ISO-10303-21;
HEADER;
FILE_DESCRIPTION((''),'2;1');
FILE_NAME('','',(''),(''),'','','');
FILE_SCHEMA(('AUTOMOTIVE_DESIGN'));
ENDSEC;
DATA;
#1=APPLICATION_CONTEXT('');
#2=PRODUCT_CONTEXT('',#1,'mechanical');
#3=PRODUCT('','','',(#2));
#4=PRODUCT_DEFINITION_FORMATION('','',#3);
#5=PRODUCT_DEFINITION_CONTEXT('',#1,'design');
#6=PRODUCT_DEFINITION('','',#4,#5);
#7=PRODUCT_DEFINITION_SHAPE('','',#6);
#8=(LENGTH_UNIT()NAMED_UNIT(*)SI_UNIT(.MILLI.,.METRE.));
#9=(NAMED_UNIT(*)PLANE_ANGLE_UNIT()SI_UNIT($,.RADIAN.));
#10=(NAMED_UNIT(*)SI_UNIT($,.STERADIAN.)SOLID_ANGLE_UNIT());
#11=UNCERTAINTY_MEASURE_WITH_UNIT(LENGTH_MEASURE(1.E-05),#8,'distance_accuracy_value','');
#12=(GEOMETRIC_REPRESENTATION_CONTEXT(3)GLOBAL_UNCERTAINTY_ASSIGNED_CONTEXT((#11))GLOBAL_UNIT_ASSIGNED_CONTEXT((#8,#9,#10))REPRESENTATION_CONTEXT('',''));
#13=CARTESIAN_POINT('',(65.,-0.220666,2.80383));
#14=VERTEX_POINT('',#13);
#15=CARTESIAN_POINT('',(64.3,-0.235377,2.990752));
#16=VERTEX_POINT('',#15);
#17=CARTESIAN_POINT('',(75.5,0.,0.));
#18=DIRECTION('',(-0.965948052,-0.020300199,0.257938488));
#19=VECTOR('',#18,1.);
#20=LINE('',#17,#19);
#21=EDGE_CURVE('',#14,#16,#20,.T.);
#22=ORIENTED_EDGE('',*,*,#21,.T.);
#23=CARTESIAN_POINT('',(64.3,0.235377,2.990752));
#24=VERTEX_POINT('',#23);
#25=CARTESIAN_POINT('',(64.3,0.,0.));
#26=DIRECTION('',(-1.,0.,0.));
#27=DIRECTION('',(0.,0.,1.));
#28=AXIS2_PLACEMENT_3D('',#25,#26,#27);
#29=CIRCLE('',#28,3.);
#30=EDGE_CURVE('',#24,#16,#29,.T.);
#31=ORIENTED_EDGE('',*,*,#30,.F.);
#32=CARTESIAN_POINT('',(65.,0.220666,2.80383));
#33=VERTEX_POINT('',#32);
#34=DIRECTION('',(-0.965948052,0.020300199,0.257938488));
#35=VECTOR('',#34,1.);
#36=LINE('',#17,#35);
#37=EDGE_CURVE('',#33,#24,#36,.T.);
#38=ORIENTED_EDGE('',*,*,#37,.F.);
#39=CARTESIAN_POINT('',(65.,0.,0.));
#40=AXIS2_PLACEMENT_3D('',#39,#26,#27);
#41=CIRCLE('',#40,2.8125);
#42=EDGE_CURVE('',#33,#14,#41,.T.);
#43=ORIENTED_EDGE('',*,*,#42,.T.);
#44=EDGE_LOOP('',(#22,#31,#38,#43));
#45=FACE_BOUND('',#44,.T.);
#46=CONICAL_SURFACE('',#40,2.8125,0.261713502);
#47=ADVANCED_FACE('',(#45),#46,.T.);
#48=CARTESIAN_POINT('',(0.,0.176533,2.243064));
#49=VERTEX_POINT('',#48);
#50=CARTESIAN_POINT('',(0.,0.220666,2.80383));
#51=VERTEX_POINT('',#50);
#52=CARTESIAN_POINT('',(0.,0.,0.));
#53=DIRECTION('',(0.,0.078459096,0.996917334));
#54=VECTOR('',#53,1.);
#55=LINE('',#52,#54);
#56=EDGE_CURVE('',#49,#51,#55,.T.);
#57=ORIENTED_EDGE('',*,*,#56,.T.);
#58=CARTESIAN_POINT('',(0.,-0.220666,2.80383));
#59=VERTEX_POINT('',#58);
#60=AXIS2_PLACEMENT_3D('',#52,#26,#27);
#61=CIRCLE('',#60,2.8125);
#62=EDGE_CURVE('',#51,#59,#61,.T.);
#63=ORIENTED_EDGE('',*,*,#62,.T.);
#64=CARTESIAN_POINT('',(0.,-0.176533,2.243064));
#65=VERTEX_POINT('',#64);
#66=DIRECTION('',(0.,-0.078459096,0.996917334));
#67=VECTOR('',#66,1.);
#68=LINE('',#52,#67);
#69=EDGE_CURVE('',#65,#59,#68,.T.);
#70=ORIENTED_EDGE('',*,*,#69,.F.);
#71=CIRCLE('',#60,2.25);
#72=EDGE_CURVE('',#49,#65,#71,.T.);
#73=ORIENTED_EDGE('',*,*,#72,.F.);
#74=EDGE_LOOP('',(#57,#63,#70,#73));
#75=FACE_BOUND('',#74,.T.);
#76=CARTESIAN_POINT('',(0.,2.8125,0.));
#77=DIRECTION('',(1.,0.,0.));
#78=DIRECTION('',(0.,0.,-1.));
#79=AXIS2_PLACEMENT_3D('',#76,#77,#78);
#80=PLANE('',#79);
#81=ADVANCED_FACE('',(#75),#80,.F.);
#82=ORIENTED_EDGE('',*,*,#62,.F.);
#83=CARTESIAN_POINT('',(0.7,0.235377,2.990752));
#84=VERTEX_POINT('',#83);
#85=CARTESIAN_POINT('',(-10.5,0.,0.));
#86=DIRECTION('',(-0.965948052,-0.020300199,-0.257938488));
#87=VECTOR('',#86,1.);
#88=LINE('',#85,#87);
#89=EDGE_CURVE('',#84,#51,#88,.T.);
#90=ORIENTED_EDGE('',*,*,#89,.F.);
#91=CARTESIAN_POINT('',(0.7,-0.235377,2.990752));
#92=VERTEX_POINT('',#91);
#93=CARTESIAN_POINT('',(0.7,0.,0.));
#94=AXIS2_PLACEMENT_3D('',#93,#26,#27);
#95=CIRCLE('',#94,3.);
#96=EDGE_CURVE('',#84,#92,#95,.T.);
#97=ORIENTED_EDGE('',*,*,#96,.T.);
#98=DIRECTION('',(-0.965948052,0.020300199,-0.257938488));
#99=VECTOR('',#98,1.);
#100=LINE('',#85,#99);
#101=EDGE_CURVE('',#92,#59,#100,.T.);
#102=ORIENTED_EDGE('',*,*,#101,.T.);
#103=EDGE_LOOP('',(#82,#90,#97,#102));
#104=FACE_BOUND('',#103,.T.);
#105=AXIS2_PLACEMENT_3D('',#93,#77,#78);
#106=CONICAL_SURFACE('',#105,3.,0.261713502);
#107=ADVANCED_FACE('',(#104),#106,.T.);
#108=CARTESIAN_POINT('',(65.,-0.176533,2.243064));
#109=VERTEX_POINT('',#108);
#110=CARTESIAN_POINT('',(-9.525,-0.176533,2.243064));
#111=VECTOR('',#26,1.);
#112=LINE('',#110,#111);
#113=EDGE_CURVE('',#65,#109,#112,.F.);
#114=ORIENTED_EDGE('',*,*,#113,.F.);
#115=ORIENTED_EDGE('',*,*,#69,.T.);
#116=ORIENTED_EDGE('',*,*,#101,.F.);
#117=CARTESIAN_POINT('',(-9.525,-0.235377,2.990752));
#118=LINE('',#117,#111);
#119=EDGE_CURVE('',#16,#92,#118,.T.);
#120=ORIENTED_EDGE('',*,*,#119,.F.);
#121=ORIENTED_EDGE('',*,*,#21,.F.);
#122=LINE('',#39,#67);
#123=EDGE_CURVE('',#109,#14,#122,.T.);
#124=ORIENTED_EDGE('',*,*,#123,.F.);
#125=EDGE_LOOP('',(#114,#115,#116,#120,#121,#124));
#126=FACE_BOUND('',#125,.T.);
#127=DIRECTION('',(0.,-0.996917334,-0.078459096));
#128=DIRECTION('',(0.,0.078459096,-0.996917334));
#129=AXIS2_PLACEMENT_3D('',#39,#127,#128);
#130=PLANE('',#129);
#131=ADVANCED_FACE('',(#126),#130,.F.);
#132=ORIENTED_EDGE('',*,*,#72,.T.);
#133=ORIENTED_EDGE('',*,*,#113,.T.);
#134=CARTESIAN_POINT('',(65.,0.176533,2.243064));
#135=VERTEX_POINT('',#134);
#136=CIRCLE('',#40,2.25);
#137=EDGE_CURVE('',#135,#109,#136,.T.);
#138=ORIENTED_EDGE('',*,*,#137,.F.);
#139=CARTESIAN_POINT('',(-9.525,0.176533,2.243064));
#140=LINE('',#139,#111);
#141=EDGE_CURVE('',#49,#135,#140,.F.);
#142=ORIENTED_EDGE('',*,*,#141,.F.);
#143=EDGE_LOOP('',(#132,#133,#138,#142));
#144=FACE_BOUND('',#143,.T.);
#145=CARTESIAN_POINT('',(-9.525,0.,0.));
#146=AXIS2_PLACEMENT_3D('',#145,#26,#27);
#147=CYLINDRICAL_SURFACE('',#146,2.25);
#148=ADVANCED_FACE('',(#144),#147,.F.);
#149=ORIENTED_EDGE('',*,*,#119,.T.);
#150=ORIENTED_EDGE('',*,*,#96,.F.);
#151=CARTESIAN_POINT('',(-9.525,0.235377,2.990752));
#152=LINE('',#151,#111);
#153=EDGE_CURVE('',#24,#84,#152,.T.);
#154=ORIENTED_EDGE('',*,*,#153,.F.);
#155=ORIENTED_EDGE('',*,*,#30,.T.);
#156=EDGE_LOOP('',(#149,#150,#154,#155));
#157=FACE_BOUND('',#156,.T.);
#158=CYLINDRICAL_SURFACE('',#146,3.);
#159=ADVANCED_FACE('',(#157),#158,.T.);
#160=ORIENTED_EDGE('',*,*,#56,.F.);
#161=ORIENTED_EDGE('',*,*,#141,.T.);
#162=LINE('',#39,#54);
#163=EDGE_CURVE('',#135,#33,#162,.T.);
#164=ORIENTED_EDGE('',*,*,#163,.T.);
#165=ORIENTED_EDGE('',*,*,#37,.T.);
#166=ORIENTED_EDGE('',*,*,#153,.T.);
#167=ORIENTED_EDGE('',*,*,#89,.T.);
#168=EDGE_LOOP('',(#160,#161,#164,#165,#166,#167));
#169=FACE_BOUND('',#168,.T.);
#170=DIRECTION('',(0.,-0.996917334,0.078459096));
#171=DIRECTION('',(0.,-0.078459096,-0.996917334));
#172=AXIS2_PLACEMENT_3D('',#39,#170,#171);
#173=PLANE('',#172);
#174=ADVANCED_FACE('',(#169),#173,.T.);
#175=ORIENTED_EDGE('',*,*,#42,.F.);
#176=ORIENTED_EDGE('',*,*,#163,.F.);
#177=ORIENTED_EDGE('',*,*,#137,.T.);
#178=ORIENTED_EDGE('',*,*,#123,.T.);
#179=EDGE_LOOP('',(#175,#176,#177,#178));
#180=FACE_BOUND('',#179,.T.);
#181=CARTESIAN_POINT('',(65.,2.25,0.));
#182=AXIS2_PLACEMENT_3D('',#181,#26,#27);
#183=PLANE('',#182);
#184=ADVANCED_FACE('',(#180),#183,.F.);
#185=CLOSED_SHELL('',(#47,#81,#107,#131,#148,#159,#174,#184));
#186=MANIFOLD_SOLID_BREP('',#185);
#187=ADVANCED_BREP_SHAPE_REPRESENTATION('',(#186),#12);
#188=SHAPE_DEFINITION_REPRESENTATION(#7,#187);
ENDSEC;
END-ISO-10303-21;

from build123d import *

# Parameters (mm, degrees)
GAP_DEPTH = 66.138314378


with BuildPart() as part:
    # Sketch1 → Base-Revolve (revolve)
    with BuildSketch(Plane.XY, mode=Mode.PRIVATE) as base_revolve_sk:
        Polygon((0, 2.25), (65, 2.25), (65, 2.8125), (64.3, 3), (0.7, 3), (0, 2.8125), align=None)
    revolve(base_revolve_sk.sketch.rotate(Axis((-9.525, 0, 0), (1, 0, 0)), 90), axis=Axis((-9.525, 0, 0), (1, 0, 0)))

    # Sketch2 → Gap (cut, through all)
    with BuildSketch(Plane(origin=(0, 0, 0), x_dir=(0, -1, 0), z_dir=(-1, 0, 0))):
        with BuildLine():
            Line((0, 0), (0.240084833, 3.050567041))
            ThreePointArc((0.240084833, 3.050567041), (0, 3.06), (-0.240084833, 3.050567041))
            Line((-0.240084833, 3.050567041), (0, 0))
        make_face()
    extrude(amount=-GAP_DEPTH, mode=Mode.SUBTRACT)


solid = part.part
